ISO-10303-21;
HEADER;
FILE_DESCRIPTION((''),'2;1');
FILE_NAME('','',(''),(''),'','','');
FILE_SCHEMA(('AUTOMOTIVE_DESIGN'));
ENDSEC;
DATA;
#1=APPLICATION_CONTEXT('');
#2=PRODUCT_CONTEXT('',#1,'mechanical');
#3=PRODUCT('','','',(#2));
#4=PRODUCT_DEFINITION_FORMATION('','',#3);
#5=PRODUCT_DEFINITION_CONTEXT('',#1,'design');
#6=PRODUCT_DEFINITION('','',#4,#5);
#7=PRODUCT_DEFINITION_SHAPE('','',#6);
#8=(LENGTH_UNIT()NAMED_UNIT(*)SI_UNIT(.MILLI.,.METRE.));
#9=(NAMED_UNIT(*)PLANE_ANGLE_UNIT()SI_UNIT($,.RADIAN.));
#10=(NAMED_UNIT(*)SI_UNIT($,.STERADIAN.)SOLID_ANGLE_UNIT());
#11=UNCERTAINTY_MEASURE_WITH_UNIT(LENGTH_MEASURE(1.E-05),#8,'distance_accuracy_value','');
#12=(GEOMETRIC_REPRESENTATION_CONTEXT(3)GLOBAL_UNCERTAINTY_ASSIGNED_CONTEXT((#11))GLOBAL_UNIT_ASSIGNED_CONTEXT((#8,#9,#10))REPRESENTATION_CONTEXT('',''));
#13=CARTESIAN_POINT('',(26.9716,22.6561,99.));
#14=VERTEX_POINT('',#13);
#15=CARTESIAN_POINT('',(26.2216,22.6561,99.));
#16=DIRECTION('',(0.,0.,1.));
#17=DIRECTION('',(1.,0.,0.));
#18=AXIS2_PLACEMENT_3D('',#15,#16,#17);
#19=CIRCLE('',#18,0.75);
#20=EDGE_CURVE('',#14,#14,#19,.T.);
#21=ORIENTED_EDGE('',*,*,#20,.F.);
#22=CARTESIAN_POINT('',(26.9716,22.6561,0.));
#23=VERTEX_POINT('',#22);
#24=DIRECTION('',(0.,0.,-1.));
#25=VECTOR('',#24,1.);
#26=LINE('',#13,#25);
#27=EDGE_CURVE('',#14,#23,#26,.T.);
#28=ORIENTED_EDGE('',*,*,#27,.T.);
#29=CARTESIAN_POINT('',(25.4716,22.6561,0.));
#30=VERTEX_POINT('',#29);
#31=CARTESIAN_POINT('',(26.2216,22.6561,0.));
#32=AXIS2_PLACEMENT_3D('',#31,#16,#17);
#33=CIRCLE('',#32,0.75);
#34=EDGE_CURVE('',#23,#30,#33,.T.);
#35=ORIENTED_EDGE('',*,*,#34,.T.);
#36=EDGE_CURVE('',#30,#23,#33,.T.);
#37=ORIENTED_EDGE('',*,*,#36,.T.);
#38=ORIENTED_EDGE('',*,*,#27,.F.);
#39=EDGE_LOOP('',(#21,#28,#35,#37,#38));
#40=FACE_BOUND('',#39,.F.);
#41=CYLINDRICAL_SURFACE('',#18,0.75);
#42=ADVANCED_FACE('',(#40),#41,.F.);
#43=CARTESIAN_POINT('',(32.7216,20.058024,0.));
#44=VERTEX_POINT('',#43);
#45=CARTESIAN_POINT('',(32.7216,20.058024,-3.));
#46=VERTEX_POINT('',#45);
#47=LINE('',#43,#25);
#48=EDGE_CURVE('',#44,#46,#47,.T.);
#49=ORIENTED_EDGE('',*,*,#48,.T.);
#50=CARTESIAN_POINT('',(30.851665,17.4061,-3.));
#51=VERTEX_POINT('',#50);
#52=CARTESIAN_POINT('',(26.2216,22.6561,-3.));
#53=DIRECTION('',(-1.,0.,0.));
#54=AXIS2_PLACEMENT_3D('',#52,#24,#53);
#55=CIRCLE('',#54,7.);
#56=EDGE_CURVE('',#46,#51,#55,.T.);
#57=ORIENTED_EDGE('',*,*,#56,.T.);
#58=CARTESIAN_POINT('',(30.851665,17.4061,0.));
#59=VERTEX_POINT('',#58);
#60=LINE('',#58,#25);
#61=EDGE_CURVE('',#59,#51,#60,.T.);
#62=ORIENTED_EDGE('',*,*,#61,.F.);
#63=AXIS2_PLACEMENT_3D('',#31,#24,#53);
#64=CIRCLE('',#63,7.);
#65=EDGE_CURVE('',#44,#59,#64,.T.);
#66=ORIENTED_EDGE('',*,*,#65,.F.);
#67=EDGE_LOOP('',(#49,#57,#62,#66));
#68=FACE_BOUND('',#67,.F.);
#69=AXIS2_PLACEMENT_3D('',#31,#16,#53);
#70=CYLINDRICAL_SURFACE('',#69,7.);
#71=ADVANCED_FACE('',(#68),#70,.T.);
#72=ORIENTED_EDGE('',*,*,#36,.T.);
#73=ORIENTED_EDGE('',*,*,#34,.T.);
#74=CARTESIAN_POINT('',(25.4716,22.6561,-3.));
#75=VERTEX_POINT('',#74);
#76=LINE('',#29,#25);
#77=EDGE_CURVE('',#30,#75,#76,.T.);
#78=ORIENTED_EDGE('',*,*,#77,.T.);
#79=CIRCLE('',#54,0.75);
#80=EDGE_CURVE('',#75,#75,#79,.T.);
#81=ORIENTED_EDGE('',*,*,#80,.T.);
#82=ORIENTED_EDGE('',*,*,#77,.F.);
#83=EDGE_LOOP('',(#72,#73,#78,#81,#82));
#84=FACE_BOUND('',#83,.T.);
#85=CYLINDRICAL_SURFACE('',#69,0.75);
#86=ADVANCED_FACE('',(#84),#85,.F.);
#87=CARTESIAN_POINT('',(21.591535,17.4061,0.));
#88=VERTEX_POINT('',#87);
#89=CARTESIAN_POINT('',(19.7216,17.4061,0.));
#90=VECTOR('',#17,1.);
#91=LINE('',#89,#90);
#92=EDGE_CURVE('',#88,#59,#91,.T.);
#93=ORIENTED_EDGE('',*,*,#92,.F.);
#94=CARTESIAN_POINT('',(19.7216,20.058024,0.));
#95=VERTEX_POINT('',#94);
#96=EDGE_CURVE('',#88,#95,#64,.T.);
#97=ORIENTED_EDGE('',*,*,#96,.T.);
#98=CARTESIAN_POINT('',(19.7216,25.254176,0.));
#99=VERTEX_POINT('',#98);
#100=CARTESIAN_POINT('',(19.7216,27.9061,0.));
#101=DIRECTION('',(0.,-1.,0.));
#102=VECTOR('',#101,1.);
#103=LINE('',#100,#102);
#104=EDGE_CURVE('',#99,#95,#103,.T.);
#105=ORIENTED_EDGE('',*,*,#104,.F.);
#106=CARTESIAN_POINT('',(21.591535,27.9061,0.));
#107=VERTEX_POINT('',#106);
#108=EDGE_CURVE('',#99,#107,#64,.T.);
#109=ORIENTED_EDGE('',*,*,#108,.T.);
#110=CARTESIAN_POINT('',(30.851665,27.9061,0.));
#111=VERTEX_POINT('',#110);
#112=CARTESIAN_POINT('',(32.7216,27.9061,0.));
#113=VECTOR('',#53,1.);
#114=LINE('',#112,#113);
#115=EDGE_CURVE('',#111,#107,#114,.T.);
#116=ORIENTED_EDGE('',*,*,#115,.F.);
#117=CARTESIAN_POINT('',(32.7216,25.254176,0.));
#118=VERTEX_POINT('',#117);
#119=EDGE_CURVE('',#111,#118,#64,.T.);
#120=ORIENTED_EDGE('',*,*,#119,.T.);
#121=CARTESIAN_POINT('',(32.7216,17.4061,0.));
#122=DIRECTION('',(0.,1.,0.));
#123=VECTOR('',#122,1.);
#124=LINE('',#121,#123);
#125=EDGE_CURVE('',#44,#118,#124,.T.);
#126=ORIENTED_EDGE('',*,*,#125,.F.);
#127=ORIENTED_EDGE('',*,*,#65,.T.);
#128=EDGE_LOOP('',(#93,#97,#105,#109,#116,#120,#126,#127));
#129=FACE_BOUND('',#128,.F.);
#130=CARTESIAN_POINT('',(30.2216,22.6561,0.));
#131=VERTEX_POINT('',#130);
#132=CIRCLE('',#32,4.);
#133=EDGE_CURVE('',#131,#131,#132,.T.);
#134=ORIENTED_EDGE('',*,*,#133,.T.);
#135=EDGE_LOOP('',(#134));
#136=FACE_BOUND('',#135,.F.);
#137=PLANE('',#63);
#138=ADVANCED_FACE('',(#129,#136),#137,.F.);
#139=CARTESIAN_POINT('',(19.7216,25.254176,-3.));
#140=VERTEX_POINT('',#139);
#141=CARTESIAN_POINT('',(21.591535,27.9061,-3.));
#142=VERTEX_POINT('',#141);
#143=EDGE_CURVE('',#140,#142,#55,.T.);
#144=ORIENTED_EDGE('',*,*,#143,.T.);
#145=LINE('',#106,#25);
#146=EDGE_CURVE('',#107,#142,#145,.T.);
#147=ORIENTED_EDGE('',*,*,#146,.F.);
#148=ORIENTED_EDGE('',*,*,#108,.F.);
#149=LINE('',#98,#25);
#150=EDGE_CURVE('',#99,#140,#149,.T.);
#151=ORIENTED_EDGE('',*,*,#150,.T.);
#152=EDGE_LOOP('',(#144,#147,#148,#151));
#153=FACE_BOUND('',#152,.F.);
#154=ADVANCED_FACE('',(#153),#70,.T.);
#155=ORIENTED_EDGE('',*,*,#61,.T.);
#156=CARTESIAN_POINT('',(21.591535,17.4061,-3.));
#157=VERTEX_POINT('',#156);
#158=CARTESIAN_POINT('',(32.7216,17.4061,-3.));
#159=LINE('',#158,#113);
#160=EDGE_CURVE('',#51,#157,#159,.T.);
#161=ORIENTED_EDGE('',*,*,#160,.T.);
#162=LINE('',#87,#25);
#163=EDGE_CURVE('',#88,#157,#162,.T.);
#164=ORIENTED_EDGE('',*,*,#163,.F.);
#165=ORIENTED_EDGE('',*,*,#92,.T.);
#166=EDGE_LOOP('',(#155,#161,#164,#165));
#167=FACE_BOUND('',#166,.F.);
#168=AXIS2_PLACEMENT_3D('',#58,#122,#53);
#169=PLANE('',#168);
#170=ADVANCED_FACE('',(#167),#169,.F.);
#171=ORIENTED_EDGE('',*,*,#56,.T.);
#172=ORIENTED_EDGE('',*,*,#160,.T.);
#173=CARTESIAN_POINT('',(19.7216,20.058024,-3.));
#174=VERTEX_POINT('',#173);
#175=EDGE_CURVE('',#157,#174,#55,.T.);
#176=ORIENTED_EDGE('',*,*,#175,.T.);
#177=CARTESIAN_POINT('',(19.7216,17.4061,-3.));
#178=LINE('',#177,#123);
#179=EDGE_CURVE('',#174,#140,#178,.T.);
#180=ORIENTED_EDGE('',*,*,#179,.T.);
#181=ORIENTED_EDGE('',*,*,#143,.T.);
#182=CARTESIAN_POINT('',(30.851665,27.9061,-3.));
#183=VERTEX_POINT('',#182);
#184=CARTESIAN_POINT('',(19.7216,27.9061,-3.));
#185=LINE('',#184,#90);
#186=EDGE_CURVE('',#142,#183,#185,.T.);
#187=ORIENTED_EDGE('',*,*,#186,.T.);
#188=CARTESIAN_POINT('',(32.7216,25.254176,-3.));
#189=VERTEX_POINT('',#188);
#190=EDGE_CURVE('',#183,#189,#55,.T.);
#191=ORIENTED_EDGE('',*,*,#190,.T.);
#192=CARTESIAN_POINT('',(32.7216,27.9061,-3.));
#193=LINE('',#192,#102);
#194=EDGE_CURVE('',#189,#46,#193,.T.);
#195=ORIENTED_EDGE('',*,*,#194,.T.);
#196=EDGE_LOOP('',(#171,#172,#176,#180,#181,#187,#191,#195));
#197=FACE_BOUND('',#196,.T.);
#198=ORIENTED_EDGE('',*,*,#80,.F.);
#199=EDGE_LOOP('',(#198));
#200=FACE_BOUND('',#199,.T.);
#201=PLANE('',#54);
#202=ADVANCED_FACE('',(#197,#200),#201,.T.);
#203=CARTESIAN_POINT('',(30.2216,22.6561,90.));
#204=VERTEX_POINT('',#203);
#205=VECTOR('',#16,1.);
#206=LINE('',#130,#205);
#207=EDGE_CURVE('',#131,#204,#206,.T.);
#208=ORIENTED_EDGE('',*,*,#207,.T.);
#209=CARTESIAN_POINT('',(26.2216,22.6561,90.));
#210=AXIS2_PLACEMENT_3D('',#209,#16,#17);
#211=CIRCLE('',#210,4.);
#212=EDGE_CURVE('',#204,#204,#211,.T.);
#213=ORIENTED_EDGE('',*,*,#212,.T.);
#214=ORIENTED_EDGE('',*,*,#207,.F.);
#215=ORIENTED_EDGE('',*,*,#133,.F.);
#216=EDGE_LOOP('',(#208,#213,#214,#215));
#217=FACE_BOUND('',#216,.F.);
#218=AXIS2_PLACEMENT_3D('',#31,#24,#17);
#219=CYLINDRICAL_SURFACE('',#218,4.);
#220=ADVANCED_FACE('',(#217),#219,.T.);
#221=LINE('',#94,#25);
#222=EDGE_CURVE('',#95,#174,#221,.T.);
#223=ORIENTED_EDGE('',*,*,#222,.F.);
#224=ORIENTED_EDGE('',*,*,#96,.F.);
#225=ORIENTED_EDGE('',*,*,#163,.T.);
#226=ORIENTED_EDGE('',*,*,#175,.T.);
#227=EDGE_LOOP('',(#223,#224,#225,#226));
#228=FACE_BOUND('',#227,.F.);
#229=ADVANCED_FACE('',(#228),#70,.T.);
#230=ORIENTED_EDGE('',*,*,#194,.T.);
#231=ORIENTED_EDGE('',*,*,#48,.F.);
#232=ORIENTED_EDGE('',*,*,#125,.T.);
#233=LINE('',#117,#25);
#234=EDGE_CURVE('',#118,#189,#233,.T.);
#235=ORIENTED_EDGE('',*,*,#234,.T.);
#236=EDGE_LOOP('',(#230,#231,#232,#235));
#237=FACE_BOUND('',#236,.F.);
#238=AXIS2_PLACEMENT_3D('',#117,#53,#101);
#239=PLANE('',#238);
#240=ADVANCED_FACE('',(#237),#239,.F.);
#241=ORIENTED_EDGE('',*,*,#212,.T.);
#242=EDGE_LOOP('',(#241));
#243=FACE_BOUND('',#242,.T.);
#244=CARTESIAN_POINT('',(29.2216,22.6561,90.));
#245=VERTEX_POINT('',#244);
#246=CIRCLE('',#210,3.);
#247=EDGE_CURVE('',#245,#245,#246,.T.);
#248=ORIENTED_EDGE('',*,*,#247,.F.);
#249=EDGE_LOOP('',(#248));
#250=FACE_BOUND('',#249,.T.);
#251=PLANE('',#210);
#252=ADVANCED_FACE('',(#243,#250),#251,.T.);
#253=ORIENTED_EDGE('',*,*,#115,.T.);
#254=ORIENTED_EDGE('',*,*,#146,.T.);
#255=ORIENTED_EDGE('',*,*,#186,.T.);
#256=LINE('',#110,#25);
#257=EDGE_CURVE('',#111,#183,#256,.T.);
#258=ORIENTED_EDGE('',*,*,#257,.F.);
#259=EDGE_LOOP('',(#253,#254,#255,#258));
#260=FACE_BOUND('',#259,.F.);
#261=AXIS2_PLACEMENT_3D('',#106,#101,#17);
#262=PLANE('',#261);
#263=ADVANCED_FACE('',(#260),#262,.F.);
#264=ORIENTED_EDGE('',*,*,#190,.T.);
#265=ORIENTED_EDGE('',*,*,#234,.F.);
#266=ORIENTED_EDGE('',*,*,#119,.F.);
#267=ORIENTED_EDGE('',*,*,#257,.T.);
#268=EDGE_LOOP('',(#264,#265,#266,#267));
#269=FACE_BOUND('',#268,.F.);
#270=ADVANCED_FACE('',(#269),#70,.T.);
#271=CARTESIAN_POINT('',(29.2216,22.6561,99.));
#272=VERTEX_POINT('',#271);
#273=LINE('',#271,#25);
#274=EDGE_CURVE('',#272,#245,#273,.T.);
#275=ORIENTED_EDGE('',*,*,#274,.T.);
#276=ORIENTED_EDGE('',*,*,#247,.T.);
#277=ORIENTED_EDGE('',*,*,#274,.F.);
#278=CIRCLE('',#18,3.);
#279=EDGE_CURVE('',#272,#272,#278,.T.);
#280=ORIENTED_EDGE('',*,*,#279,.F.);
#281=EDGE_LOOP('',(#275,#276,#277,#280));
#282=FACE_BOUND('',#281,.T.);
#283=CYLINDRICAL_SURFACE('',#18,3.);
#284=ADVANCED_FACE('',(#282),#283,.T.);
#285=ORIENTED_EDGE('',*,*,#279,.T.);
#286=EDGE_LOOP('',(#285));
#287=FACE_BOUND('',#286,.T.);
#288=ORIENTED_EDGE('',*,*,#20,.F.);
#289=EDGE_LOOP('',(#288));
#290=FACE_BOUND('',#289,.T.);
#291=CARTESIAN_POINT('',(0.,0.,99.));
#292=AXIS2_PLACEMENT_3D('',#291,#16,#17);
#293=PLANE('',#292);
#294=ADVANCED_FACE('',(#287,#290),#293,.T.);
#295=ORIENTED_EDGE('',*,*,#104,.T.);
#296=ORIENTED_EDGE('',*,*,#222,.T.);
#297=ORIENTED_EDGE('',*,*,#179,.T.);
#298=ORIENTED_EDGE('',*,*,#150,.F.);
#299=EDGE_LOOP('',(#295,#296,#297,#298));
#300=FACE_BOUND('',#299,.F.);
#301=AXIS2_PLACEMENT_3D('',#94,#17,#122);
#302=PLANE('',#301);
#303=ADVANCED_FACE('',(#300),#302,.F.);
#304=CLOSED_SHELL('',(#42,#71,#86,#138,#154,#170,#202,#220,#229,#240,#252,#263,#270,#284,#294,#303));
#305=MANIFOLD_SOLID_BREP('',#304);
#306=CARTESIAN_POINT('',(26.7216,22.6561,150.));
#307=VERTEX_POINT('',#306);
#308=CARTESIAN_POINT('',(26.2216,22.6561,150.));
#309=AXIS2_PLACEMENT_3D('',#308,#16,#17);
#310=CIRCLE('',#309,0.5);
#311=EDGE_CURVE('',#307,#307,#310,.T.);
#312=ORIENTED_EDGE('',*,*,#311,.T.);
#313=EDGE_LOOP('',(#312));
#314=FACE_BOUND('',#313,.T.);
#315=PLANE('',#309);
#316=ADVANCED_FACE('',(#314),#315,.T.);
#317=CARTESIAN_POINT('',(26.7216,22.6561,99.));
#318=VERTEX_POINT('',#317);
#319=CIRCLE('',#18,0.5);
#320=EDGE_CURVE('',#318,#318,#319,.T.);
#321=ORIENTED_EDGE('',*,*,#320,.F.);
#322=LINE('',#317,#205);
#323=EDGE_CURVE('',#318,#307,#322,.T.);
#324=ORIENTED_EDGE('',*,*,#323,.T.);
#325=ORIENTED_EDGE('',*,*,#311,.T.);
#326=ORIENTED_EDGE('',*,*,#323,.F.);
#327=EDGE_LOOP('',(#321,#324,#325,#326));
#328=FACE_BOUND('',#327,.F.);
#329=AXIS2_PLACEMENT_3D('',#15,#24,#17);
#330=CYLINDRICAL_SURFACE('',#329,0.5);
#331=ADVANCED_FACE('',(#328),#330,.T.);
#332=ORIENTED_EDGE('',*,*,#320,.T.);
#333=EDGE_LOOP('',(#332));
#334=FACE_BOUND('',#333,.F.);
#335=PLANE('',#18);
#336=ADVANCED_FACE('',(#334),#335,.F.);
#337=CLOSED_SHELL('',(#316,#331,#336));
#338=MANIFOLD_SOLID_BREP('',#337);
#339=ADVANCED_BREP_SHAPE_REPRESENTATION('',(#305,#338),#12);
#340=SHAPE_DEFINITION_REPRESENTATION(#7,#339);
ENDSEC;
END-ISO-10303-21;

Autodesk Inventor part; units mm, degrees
ref_plane "YZ Plane" through (0, 0, 0) normal (1, 0, 0) x (0, 1, 0)
ref_plane "XZ Plane" through (0, 0, 0) normal (0, 1, 0) x (-1, 0, 0)
ref_plane "XY Plane" through (0, 0, 0) normal (0, 0, 1) x (1, 0, 0)
sketch "Sketch1" plane through (0, 0, 0) normal (0, 0, 1) x (1, 0, 0)
  circle A0 centre (26.2216, 22.6561) radius 4
  point P0 (0, 0)
  dimension "d0" = 8
extrude "Extrusion1" add sketch "Sketch1" along normal blind 99
sketch "Sketch2" plane through (26.2216, 22.6561, 99) normal (0, 0, 1) x (1, 0, 0)
  circle A0 centre (0, 0) radius 4 projected
  circle A1 centre (0, 0) radius 3
  point P0 (-26.2216, -22.6561)
  dimension "d3" = 6
extrude "Extrusion2" cut sketch "Sketch2" against normal blind 9
sketch "Sketch3" plane through (26.2216, 22.6561, 99) normal (0, 0, 1) x (1, 0, 0)
  circle A0 centre (0, 0) radius 0.75
  point P0 (-26.2216, -22.6561)
  dimension "d6" = 1.5
extrude "Extrusion3" cut sketch "Sketch3" against normal through all
sketch "Sketch5" plane through (26.2216, 22.6561, 99) normal (0, 0, 1) x (1, 0, 0)
  circle A0 centre (0, 0) radius 0.75 projected
  circle A1 centre (0, 0) radius 0.5
  point P0 (-26.2216, -22.6561)
  dimension "d9" = 1
extrude "Extrusion4" add sketch "Sketch5" along normal blind 51 contours A1
sketch "Sketch6" plane through (26.2216, 22.6561, 0) normal (0, 0, -1) x (-1, 0, 0)
  circle A0 centre (0, 0) radius 4 projected
  line L0 (-6.5, -5.25) -> (6.5, -5.25)
  line L1 (6.5, -5.25) -> (6.5, 5.25)
  line L2 (6.5, 5.25) -> (-6.5, 5.25)
  line L3 (-6.5, 5.25) -> (-6.5, -5.25)
  circle A1 centre (0, 0) radius 0.75 projected
  line L4 (-6.5, -5.25) -> (6.5, 5.25) construction
  line L5 (6.5, -5.25) -> (-6.5, 5.25) construction
  circle A2 centre (0, 0) radius 7
  point P0 (26.2216, -22.6561)
  point P1 (-4.6301, -5.25)
  point P2 (-6.5, -2.5981)
  point P3 (-6.5, 2.5981)
  point P4 (-4.6301, 5.25)
  point P5 (4.6301, 5.25)
  point P6 (6.5, 2.5981)
  point P7 (6.5, -2.5981)
  point P8 (4.6301, -5.25)
  dimension "d12" = 13
  dimension "d13" = 10.5
  dimension "d16" = 14
extrude "Extrusion5" add sketch "Sketch6" along normal blind 3 contours A0 | L3 A2 L0 | A2 L3 L2 L1 L0 | A2 L1 L0 | L3 L2 A2 | A2 L2 L1
extrude "Extrusion6" cut sketch "Sketch6" along normal blind 3 contours L3 A2 L0 | A2 L1 L0 | L3 L2 A2 | A2 L2 L1
properties part number "hamilton 100micl syringe body (no plunger)" material "Glass"
